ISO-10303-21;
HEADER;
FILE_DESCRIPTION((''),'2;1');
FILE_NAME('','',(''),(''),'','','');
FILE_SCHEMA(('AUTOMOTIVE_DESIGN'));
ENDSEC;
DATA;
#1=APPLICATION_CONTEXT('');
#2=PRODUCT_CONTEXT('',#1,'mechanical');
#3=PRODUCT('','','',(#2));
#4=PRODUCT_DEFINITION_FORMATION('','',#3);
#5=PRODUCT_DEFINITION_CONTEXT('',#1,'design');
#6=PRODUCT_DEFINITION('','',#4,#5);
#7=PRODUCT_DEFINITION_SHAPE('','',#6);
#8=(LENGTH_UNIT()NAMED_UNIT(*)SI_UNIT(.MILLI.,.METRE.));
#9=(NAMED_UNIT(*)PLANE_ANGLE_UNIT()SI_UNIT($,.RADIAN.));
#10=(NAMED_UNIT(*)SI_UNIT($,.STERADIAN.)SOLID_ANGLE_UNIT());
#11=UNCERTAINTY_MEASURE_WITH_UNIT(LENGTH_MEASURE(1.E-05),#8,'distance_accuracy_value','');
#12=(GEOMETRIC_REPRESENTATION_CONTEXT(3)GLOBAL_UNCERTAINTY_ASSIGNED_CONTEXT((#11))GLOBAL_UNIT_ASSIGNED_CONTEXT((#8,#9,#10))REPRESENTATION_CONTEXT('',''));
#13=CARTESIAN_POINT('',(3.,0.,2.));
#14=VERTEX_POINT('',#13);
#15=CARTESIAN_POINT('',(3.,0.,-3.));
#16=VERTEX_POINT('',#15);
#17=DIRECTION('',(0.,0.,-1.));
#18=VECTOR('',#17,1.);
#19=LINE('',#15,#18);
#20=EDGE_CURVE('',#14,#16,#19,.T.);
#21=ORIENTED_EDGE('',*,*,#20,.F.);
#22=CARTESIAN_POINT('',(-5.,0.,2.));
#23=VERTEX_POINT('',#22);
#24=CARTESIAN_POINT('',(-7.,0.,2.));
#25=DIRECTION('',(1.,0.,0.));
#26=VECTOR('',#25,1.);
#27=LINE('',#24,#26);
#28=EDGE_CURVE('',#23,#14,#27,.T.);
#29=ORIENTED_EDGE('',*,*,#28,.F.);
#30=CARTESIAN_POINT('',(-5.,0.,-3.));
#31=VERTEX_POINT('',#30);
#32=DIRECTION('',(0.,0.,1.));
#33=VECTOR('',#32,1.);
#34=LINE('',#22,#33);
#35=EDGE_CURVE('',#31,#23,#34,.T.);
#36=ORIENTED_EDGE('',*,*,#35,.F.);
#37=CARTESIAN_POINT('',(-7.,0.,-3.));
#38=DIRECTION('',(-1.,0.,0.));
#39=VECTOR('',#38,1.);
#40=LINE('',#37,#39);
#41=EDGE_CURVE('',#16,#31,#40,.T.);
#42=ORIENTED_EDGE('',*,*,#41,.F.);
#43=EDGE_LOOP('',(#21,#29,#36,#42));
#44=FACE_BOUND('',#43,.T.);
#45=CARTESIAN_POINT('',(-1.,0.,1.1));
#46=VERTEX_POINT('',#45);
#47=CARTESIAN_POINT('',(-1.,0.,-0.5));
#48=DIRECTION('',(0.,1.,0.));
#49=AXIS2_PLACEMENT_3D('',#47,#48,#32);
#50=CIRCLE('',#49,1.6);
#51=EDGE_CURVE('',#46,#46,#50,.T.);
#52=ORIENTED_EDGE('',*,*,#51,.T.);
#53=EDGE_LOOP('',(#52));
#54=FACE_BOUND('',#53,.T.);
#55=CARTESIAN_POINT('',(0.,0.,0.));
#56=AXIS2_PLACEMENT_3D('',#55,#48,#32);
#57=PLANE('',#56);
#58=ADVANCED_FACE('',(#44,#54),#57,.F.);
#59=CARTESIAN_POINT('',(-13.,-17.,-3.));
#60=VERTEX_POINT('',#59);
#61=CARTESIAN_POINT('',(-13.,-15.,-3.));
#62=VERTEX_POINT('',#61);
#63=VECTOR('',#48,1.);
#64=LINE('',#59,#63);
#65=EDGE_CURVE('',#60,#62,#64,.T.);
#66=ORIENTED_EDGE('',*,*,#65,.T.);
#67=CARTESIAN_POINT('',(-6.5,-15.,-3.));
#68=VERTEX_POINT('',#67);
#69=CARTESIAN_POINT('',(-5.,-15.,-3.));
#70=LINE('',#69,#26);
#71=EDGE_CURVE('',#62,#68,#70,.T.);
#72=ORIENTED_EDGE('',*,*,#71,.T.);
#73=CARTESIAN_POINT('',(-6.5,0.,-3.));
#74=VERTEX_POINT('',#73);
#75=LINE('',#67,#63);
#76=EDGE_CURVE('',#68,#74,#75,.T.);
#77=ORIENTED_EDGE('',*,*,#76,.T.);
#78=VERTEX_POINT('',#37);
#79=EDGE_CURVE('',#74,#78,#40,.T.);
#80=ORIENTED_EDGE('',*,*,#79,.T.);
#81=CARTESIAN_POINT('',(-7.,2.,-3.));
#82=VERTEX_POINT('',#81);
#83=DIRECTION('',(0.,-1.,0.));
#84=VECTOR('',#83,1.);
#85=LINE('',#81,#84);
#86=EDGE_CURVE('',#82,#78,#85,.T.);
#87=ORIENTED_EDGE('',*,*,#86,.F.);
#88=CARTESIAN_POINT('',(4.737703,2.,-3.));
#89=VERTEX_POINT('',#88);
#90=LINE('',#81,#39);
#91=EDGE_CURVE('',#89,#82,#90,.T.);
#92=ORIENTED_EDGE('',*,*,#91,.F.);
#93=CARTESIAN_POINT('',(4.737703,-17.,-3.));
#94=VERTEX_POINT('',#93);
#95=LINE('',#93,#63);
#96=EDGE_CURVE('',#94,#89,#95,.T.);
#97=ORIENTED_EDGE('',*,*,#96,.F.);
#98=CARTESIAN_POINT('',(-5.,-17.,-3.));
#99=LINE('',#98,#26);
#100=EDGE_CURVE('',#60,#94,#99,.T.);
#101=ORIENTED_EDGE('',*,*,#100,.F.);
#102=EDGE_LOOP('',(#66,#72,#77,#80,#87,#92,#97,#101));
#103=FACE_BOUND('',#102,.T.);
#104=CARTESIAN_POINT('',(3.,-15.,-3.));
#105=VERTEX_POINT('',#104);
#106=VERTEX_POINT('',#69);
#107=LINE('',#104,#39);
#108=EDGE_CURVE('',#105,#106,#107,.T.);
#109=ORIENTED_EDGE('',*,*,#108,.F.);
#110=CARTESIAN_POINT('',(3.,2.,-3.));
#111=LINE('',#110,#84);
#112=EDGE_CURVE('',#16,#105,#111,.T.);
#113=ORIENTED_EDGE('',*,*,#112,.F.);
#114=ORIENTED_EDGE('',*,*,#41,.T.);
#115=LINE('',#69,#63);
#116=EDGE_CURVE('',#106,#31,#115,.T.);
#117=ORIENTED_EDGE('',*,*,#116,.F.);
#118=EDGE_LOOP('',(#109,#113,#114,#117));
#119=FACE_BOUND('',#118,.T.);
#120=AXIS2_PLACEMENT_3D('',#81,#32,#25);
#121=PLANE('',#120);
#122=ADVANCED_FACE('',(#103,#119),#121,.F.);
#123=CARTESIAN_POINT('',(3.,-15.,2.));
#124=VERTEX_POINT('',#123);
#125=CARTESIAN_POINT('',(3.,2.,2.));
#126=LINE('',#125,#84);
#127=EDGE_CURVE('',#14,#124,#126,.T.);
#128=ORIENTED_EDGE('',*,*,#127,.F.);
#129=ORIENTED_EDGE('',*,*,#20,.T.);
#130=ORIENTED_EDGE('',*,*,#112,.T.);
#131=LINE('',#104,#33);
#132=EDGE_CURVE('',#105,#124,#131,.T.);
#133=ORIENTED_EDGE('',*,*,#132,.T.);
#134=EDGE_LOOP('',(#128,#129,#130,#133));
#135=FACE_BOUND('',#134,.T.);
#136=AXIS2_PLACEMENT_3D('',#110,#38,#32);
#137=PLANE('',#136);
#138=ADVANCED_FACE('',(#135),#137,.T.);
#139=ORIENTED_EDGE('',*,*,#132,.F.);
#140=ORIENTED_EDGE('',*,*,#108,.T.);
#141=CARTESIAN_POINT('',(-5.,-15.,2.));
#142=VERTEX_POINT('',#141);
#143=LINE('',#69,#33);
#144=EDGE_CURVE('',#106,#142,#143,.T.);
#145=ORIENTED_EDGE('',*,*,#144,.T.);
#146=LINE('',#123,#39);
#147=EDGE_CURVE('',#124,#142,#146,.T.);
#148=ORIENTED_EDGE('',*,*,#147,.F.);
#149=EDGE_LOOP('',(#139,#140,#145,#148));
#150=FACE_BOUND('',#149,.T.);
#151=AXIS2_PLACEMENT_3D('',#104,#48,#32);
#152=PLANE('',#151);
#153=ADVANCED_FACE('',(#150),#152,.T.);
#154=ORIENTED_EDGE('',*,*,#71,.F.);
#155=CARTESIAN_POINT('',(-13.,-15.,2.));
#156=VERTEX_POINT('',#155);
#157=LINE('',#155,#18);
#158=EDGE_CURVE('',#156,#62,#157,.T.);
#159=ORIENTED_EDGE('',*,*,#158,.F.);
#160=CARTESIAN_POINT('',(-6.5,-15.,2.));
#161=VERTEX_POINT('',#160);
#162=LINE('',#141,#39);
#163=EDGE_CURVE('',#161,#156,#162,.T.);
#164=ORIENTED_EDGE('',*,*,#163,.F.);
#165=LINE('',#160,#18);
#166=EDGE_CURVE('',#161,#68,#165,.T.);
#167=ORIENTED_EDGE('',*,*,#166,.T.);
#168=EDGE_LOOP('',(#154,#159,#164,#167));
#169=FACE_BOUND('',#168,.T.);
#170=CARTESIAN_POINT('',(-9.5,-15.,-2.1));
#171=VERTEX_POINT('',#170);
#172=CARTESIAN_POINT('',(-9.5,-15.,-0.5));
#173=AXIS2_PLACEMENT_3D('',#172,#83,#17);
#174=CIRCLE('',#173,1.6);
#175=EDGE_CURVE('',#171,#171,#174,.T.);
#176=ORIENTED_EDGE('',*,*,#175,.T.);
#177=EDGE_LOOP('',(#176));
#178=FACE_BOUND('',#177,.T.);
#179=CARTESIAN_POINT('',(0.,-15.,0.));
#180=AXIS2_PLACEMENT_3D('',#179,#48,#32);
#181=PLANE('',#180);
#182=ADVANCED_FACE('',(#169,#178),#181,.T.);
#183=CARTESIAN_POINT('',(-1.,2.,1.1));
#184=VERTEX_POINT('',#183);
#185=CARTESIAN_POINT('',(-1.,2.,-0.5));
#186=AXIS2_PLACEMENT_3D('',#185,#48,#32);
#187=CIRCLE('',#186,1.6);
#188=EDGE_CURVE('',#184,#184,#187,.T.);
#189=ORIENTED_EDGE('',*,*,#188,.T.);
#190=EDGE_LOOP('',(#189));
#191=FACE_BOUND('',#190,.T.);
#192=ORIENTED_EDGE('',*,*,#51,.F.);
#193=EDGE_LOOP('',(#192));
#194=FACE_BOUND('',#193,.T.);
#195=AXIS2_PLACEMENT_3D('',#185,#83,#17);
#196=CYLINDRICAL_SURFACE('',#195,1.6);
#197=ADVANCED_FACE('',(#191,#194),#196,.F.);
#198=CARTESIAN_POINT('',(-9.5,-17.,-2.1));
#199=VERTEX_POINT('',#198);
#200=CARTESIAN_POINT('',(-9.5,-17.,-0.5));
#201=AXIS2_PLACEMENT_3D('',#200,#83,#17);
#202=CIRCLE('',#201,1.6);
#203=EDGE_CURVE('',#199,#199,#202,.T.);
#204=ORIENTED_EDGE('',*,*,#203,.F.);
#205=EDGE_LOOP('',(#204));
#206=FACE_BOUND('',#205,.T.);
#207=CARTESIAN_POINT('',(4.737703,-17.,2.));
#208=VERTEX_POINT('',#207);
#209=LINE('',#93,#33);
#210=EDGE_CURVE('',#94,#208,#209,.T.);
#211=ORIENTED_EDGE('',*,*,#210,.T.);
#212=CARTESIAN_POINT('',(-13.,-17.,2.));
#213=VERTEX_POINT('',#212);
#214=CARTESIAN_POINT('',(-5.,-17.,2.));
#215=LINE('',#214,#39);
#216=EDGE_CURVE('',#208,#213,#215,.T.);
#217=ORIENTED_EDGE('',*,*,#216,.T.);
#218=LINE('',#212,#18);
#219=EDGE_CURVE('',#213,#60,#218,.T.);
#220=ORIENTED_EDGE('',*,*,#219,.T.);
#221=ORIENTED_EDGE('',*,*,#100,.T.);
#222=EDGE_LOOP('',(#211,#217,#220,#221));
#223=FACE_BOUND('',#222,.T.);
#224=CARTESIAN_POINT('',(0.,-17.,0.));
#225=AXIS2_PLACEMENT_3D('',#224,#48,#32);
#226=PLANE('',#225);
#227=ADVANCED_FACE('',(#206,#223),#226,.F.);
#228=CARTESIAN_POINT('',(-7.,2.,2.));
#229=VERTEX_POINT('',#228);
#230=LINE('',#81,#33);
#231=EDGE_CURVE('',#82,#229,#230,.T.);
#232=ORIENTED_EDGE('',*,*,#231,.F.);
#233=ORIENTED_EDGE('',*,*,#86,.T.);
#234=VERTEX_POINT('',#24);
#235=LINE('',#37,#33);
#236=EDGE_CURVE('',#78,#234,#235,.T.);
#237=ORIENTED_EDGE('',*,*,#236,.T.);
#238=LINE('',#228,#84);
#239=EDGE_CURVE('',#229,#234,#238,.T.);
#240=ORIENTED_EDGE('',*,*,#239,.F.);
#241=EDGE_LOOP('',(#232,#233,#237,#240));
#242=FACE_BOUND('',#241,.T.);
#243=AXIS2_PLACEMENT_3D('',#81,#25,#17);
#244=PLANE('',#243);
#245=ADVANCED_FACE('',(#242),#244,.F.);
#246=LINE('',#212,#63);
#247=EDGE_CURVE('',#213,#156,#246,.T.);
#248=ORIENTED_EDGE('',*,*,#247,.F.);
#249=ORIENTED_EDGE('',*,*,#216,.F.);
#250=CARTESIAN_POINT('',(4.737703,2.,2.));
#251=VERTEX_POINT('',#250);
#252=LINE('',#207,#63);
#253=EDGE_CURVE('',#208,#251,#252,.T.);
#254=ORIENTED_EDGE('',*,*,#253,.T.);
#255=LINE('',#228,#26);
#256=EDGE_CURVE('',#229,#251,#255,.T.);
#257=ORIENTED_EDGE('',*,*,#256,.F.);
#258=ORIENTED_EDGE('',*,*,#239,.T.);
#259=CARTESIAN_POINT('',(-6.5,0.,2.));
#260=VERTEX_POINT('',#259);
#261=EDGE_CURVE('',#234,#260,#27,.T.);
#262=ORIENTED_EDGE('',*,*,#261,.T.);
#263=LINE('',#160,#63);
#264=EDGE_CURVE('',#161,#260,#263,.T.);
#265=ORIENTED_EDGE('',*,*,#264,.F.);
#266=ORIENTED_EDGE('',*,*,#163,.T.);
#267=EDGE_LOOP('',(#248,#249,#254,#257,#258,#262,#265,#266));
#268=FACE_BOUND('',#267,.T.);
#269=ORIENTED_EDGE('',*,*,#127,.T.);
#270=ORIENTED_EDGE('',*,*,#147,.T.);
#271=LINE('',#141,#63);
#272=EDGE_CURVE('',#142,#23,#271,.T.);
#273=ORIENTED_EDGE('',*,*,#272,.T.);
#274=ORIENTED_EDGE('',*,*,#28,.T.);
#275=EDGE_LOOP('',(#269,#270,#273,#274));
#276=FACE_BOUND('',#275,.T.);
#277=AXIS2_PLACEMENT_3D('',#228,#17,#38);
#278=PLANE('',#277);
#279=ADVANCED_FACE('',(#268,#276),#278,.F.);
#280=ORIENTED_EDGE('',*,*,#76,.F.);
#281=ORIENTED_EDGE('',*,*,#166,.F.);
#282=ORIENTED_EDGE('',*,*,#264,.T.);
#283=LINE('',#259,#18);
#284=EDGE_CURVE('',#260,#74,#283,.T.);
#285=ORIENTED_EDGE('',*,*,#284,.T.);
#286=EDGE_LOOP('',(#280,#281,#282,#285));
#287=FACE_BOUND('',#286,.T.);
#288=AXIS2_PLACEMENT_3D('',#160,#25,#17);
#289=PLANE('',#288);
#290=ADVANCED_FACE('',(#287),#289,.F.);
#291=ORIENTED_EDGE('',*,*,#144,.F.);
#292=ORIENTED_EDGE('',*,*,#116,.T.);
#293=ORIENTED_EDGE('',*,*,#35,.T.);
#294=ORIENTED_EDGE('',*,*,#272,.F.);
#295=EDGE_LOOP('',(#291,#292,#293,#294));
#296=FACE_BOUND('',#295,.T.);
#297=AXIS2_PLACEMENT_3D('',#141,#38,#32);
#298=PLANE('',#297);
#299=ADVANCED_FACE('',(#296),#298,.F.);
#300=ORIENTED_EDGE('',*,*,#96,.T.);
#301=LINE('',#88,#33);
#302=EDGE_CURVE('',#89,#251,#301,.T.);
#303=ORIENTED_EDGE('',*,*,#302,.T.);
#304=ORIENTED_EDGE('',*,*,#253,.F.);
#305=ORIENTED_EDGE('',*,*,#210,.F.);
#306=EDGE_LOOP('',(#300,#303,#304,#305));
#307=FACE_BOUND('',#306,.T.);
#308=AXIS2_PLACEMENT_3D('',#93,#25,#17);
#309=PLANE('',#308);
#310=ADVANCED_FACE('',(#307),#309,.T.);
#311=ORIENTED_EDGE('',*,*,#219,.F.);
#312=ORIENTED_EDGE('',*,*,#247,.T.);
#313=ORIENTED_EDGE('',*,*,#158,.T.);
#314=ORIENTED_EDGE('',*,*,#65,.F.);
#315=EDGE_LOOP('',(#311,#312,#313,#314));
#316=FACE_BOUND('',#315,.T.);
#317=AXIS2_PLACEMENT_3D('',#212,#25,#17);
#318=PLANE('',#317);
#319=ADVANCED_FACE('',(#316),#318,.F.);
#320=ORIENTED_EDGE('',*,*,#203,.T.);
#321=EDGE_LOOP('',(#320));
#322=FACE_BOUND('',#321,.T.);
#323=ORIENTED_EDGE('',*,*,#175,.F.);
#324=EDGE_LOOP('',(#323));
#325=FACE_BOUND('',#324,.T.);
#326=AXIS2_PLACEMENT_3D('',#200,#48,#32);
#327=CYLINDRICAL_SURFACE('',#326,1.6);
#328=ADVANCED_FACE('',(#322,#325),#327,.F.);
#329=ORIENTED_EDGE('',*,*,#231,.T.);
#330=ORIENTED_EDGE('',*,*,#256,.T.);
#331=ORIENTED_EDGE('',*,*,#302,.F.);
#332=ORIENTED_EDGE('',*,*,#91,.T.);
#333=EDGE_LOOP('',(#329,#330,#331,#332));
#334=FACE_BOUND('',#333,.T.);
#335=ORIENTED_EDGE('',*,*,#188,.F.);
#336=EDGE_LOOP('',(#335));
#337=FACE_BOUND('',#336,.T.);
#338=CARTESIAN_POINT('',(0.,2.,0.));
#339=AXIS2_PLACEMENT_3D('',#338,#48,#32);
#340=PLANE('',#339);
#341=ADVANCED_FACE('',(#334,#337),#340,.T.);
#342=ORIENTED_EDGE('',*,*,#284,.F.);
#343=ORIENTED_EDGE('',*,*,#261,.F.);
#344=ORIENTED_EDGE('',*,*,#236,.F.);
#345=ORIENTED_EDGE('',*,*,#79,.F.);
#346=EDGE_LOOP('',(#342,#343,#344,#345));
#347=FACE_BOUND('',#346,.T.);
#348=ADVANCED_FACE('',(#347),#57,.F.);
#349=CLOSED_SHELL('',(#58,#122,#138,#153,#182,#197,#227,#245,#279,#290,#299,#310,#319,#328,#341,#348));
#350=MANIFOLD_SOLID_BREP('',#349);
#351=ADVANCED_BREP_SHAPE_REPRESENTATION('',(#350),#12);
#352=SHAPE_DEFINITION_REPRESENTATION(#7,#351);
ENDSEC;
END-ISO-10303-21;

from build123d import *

# Parameters (mm, degrees)
SKETCH1_W           = 10
SKETCH1_H           = 5
SKETCH1_R           = 1.6
BOSS_EXTRUDE2_DEPTH = 2
SKETCH2_W           = 1.5
SKETCH2_H           = 5
BOSS_EXTRUDE3_DEPTH = 15
SKETCH3_W           = 8
SKETCH3_H           = 5
SKETCH3_R           = 1.6
BOSS_EXTRUDE4_DEPTH = 2
BOSS_EXTRUDE5_DEPTH = 5


with BuildPart() as part:
    # Sketch1 → Boss-Extrude2 (new body)
    with BuildSketch(Plane(origin=(0, 0, 0), x_dir=(1, 0, 0), z_dir=(0, 1, 0))):
        with Locations((-2, 0.5)):
            Rectangle(SKETCH1_W, SKETCH1_H)
        with Locations((-1, 0.5)):
            Circle(SKETCH1_R, mode=Mode.SUBTRACT)
    extrude(amount=BOSS_EXTRUDE2_DEPTH)

    # Sketch2 → Boss-Extrude3 (add)
    with BuildSketch(Plane.XZ):
        with Locations((-5.75, -0.5)):
            Rectangle(SKETCH2_W, SKETCH2_H)
    extrude(amount=BOSS_EXTRUDE3_DEPTH)

    # Sketch3 → Boss-Extrude4 (add)
    with BuildSketch(Plane.XZ.offset(15)):
        with Locations((-9, -0.5)):
            Rectangle(SKETCH3_W, SKETCH3_H)
        with Locations((-9.5, -0.5)):
            Circle(SKETCH3_R, mode=Mode.SUBTRACT)
    extrude(amount=BOSS_EXTRUDE4_DEPTH)

    # Sketch4 → Boss-Extrude5 (add)
    with BuildSketch(Plane.XY.offset(2)):
        Polygon((4.737702607, -17), (4.737702607, 2), (3, 2), (3, -15), (-5, -15), (-5, -17), align=None)
    extrude(amount=-BOSS_EXTRUDE5_DEPTH)


solid = part.part
